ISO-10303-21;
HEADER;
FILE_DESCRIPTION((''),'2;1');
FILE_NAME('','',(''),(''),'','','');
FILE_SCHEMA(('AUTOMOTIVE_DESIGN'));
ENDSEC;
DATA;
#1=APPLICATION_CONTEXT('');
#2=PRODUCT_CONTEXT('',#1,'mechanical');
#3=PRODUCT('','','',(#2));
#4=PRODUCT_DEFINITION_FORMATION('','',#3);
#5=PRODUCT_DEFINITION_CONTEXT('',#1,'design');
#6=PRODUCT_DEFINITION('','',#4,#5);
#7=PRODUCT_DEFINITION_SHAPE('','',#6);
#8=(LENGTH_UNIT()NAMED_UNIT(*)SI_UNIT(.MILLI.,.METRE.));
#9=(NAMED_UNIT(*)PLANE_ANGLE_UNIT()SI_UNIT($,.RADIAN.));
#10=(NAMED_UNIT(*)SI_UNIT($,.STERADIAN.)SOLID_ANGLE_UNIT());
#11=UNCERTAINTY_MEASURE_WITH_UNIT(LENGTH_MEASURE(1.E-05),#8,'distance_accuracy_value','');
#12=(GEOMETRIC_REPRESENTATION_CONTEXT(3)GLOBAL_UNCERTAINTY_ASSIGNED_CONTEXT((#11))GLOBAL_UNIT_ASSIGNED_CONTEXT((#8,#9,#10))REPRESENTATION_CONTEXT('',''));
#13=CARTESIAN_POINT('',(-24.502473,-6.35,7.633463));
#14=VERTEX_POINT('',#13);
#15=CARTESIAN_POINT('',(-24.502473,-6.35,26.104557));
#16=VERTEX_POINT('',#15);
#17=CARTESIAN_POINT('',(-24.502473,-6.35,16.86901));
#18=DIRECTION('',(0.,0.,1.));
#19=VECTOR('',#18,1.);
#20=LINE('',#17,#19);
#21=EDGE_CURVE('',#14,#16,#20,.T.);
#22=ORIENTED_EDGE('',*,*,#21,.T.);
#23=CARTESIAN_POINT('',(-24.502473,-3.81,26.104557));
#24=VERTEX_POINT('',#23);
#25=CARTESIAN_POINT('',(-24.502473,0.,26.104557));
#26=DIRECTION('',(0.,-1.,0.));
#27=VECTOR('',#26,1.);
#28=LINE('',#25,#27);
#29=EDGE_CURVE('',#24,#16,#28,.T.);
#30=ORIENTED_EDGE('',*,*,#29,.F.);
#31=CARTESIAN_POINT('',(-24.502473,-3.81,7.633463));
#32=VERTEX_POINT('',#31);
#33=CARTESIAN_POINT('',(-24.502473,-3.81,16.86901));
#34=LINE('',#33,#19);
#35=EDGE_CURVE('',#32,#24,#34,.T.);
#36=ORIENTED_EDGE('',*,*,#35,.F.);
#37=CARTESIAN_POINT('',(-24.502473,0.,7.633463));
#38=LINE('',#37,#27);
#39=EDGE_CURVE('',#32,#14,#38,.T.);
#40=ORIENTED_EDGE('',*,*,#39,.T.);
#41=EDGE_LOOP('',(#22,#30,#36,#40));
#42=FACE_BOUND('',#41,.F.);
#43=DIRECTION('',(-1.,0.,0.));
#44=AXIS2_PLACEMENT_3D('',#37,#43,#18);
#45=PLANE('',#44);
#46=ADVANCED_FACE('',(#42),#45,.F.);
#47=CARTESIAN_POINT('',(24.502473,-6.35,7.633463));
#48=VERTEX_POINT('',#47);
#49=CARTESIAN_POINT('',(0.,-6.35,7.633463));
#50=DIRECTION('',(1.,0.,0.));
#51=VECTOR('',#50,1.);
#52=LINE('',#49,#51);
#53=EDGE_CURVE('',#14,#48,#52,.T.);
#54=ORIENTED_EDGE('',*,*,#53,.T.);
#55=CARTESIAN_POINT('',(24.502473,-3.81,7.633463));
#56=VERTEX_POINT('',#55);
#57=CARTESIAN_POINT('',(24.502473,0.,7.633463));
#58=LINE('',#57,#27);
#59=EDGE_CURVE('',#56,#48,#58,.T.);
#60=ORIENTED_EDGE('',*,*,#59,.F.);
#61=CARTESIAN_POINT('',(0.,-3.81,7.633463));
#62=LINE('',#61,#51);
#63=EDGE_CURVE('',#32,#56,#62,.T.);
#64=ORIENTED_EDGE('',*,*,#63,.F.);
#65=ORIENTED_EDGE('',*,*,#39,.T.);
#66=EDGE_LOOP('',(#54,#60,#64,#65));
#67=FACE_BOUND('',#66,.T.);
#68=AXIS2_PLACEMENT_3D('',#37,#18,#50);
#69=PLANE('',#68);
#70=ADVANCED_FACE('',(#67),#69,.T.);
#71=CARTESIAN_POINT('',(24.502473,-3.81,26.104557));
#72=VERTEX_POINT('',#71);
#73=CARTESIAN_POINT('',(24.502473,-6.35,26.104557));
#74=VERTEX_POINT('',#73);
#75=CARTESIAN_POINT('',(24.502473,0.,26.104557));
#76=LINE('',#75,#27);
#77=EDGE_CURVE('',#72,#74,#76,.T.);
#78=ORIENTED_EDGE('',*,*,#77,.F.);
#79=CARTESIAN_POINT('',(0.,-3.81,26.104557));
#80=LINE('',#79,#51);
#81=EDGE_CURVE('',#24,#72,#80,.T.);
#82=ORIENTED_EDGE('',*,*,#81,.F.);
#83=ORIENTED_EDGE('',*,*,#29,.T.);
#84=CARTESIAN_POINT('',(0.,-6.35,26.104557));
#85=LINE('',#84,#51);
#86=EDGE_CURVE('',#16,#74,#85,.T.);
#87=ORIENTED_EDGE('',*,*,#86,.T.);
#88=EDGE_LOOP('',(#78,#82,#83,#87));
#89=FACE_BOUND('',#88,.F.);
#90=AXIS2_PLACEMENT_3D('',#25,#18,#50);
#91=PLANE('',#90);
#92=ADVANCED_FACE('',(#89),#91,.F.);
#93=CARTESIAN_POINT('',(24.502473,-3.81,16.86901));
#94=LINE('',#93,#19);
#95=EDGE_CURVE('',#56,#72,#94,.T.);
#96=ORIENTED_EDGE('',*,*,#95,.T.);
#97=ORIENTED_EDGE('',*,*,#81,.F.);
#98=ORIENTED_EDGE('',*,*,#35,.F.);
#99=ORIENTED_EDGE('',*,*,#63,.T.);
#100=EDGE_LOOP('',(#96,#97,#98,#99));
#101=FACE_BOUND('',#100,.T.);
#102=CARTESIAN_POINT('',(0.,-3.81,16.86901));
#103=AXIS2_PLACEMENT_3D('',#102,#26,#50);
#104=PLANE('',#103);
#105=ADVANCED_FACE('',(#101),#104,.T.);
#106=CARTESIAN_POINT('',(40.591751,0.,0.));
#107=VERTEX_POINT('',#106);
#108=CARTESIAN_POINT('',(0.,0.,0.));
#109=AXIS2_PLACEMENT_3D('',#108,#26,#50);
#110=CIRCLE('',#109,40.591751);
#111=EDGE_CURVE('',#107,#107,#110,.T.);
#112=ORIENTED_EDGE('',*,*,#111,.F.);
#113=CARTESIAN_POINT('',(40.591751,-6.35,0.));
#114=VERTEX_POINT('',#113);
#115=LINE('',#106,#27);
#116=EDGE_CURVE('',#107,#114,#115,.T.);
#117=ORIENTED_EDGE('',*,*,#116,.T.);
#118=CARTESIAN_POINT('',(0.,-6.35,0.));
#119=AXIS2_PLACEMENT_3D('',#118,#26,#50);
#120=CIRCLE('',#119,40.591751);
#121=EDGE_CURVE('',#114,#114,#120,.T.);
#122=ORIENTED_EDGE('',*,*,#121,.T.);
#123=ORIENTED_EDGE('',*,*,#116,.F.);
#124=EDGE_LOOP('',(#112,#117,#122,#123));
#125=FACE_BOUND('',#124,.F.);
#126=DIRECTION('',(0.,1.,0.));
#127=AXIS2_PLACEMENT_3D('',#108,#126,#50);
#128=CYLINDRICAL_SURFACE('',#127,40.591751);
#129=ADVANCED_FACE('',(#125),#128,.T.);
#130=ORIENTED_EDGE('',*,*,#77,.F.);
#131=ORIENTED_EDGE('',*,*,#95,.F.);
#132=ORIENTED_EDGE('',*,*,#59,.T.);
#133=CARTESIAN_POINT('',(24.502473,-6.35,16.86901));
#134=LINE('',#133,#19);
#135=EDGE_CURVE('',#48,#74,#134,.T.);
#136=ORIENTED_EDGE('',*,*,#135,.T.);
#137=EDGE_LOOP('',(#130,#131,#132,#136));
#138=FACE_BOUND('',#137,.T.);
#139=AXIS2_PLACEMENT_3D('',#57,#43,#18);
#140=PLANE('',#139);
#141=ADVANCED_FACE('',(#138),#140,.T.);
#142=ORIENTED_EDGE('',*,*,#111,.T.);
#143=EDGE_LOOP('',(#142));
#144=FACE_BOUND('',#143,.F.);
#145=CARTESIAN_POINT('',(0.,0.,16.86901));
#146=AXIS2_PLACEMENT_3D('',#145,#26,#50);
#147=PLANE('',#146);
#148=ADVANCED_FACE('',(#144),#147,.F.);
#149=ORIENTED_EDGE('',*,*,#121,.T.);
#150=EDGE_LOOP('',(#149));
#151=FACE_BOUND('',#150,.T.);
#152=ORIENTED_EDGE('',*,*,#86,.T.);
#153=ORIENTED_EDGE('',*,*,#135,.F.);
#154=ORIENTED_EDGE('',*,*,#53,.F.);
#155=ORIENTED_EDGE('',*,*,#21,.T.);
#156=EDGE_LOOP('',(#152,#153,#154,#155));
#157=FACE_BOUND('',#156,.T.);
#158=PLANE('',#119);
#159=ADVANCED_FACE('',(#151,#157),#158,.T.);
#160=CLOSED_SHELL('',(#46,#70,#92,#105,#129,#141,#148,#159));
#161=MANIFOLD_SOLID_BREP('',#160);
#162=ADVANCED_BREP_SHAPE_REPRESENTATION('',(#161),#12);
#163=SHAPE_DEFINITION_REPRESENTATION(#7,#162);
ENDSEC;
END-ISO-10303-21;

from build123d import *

# Parameters (mm, degrees)
F0_R     = 40.591751
F0_W     = 49.004946
F0_H     = 18.471095
F1_DEPTH = 6.35
F2_DEPTH = 3.81


with BuildPart() as f1:
    # F0 (on Front) → F1 (new body)
    with BuildSketch(Plane.XZ):
        Circle(F0_R)
        with Locations((0, 16.86901)):
            Rectangle(F0_W, F0_H, mode=Mode.SUBTRACT)
    extrude(amount=F1_DEPTH)

    # F0 (on Front) → F2 (join)
    with BuildSketch(Plane.XZ):
        with Locations((0, 16.86901)):
            Rectangle(F0_W, F0_H)
    extrude(amount=F2_DEPTH)


solid = f1.part
